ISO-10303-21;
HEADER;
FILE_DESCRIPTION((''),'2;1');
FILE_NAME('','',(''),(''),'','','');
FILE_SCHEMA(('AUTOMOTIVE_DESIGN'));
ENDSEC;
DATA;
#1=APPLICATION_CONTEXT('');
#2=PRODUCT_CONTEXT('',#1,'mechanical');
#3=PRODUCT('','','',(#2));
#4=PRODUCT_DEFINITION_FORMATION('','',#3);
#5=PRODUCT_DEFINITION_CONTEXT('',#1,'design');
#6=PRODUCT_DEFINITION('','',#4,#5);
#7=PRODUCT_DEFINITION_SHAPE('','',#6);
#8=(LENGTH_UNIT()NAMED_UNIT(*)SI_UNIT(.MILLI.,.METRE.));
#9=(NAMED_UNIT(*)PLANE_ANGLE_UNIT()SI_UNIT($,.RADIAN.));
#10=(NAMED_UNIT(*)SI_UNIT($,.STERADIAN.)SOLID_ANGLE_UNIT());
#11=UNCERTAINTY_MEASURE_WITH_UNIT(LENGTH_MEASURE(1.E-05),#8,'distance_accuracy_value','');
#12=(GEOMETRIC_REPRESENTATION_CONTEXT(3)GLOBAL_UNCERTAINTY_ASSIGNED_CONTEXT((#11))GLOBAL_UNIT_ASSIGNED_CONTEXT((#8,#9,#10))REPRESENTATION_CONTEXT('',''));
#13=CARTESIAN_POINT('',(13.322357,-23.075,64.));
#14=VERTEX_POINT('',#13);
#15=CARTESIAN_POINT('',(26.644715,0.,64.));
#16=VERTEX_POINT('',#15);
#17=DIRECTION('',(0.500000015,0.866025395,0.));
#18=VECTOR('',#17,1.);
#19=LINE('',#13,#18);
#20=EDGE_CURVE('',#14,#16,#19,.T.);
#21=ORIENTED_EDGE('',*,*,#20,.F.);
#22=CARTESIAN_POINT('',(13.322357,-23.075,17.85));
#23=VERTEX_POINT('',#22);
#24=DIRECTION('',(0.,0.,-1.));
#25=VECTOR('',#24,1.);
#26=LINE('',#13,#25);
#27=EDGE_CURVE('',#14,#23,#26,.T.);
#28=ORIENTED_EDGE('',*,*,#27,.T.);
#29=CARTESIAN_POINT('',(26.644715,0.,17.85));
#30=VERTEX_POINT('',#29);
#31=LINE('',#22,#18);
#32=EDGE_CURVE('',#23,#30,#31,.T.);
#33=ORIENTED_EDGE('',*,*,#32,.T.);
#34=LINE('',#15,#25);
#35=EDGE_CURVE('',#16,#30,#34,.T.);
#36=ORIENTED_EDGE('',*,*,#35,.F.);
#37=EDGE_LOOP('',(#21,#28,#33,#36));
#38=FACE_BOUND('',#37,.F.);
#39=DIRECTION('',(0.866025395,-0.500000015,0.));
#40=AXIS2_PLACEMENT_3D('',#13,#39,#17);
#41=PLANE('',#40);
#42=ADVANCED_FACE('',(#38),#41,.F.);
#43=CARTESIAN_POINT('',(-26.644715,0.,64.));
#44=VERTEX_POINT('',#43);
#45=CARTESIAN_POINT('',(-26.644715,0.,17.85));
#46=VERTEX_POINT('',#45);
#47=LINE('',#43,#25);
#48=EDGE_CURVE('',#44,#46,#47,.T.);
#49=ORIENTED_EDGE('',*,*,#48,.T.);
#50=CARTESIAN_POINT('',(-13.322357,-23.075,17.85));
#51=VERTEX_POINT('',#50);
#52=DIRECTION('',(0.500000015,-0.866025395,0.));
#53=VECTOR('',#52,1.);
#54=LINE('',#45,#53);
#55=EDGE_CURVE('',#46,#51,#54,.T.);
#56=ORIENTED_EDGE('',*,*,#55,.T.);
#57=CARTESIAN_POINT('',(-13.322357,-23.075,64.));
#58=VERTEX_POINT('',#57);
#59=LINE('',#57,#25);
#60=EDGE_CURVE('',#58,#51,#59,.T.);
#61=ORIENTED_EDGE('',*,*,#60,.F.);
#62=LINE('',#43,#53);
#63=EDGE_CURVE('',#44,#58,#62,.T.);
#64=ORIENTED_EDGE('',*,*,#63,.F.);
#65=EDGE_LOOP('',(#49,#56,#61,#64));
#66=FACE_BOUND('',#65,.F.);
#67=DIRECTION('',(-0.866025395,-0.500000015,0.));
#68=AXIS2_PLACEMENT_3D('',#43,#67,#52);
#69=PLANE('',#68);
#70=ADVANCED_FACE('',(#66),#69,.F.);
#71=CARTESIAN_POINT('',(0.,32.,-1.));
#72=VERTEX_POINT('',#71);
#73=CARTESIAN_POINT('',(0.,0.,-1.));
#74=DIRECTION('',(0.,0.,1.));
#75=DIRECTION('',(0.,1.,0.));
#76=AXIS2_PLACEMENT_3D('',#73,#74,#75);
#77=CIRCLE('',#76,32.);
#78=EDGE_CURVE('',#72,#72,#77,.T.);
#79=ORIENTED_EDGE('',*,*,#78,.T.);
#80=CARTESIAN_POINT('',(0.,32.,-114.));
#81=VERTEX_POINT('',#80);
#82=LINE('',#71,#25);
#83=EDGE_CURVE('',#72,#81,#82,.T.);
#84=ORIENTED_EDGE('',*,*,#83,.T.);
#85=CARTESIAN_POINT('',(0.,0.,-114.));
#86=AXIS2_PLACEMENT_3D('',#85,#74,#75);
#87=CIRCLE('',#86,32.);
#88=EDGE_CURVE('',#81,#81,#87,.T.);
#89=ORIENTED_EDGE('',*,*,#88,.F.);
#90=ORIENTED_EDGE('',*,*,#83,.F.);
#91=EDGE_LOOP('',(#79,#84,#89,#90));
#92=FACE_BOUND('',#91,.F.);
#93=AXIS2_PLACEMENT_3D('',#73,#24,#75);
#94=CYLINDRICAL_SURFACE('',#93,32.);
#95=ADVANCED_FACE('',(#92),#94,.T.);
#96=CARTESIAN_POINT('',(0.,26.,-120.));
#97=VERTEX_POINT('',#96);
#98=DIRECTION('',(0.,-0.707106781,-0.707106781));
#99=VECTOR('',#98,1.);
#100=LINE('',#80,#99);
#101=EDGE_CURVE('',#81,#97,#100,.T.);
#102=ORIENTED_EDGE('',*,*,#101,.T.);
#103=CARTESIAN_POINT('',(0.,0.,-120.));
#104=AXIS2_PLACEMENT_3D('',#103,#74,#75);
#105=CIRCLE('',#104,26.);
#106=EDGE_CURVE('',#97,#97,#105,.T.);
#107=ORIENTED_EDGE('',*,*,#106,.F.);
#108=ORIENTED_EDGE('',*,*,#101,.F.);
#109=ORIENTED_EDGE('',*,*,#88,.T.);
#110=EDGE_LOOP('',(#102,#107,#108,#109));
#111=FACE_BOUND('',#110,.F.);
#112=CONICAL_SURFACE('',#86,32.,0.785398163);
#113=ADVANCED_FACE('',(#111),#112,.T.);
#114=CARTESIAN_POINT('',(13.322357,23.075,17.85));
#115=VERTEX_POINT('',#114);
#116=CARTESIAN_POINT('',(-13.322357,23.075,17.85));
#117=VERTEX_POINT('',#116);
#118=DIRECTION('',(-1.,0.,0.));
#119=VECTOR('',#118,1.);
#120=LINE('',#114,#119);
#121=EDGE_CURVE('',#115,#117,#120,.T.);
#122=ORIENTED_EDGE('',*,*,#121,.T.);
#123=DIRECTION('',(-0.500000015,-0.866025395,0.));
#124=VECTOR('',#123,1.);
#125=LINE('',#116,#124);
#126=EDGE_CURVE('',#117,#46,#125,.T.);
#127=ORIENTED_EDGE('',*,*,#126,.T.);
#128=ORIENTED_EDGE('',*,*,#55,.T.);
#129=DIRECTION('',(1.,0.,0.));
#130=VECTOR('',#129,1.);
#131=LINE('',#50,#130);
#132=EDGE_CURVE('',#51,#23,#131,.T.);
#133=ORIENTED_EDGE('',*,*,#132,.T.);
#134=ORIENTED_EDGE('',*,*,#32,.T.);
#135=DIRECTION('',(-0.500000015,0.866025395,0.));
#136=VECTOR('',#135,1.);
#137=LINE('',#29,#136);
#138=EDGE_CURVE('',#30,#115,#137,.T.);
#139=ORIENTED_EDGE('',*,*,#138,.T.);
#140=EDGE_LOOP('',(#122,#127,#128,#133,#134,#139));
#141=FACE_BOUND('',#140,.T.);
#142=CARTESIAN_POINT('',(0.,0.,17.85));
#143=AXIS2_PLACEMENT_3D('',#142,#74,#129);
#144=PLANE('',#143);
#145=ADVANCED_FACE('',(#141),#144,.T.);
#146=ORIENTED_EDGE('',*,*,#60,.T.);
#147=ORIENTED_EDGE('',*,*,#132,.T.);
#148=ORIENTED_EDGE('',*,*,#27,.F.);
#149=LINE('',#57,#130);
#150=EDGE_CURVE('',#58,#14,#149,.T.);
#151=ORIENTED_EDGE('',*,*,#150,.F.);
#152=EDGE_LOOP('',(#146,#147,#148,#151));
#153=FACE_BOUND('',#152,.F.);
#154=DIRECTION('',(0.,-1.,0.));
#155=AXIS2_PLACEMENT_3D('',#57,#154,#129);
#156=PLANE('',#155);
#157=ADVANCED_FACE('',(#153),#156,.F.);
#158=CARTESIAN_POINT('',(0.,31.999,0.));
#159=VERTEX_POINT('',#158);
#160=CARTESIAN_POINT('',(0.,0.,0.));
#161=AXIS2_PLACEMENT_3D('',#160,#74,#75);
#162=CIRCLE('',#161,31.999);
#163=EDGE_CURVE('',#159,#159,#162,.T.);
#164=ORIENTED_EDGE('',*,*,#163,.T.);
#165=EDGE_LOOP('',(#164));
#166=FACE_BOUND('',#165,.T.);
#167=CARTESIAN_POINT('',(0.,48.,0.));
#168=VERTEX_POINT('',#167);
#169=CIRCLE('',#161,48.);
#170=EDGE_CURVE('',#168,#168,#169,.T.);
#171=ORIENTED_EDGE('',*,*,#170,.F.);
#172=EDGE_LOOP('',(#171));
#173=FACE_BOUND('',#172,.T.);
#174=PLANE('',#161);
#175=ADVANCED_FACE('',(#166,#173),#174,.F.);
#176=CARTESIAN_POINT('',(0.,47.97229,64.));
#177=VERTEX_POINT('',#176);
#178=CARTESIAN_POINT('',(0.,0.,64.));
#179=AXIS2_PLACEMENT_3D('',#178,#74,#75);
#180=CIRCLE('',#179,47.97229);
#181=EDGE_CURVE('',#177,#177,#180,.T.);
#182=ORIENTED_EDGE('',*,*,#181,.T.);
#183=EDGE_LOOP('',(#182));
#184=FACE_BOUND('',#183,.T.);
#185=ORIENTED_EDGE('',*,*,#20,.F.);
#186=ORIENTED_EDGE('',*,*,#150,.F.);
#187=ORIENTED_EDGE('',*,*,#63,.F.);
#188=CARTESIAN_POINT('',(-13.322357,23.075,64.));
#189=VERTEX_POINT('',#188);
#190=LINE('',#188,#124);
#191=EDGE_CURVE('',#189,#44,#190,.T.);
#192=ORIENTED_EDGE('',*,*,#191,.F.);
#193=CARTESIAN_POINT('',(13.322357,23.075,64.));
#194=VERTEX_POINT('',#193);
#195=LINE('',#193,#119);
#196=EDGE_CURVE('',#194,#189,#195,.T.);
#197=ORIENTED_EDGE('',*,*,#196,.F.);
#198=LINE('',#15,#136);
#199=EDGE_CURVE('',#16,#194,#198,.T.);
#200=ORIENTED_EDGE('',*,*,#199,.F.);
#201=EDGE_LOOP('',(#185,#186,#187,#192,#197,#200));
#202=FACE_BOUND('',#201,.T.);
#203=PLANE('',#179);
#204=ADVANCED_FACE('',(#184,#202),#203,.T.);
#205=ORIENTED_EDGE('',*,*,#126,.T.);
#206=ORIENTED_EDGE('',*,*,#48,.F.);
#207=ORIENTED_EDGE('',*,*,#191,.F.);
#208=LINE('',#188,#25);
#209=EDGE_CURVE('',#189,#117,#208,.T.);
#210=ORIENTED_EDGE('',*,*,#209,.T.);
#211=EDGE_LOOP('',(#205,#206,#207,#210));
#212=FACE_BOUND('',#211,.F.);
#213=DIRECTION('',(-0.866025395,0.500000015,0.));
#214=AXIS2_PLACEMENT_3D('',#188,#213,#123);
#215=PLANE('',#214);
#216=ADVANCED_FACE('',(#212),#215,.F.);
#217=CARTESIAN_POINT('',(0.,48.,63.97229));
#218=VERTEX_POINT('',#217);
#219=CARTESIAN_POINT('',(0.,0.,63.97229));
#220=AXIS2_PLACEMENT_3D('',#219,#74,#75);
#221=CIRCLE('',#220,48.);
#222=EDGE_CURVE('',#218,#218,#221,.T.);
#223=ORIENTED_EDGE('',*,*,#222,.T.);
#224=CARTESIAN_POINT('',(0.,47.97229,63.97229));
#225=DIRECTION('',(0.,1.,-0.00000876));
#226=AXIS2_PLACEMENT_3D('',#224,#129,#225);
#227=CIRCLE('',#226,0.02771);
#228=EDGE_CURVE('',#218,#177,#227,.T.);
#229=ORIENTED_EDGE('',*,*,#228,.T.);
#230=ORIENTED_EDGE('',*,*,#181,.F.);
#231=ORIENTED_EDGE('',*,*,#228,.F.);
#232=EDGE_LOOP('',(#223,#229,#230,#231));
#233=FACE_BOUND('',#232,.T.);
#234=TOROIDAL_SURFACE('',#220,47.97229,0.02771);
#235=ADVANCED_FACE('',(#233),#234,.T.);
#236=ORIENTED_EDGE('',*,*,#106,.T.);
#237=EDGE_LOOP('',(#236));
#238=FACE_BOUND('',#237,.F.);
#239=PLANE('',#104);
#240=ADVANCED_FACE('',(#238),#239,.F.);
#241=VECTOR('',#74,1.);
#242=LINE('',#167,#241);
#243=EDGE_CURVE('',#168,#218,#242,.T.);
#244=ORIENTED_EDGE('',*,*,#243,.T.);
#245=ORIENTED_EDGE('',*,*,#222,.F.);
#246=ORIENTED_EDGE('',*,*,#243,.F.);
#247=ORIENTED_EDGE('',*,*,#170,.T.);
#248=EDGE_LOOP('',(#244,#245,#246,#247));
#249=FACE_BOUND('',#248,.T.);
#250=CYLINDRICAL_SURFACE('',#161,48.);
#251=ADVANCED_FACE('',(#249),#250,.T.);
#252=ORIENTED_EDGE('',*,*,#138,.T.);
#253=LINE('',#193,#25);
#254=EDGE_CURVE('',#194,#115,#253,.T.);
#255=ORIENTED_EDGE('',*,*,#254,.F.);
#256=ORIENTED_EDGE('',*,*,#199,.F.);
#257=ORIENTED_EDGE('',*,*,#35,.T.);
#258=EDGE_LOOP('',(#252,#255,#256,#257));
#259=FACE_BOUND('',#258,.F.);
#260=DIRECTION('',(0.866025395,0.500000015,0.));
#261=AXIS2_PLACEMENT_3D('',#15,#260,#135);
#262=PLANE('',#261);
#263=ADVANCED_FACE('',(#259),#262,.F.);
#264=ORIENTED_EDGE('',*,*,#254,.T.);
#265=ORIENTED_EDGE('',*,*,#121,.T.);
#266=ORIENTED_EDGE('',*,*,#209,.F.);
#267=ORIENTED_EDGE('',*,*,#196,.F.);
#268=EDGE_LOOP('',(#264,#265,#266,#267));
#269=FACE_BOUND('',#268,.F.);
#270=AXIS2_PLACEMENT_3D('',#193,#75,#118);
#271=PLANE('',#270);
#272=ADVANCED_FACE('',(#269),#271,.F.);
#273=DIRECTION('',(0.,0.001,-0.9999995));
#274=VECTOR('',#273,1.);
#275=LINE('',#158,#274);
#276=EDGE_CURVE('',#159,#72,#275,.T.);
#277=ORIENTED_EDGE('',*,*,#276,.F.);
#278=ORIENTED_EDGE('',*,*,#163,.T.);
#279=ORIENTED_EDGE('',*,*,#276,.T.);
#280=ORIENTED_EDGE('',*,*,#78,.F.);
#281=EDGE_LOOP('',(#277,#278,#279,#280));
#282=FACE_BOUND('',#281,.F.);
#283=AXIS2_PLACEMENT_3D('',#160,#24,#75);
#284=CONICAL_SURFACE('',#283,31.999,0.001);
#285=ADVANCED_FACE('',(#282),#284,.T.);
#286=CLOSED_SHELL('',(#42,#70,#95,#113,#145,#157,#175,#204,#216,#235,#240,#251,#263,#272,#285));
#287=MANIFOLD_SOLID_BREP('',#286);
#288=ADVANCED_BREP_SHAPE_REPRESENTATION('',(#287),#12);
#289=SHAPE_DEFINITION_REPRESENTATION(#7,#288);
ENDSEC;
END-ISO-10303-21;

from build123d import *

# Parameters (mm, degrees)
POCKET_DEPTH = 46.15


with BuildPart() as part:
    # Sketch → Revolve (revolve)
    with BuildSketch(Plane.YZ):
        with BuildLine():
            Line((31.999, 0), (48, 0))
            Line((48, 0), (48, 63.97229))
            ThreePointArc((48, 63.97229), (47.991884, 63.991884), (47.97229, 64))
            Line((47.97229, 64), (0, 64))
            Line((0, -120), (0, 64))
            Line((26, -120), (0, -120))
            Line((32, -114), (26, -120))
            Line((32, -1), (32, -114))
            Line((31.999, 0), (32, -1))
        make_face()
    revolve(axis=Axis((0, 0, 0), (0, 0, 1)))

    # Sketch001 → Pocket (cut)
    with BuildSketch(Plane.XY.offset(64)):
        Polygon((26.644715, 0), (13.322357, 23.075), (-13.322357, 23.075), (-26.644715, 0), (-13.322357, -23.075), (13.322357, -23.075), align=None)
    extrude(amount=-POCKET_DEPTH, mode=Mode.SUBTRACT)


solid = part.part
